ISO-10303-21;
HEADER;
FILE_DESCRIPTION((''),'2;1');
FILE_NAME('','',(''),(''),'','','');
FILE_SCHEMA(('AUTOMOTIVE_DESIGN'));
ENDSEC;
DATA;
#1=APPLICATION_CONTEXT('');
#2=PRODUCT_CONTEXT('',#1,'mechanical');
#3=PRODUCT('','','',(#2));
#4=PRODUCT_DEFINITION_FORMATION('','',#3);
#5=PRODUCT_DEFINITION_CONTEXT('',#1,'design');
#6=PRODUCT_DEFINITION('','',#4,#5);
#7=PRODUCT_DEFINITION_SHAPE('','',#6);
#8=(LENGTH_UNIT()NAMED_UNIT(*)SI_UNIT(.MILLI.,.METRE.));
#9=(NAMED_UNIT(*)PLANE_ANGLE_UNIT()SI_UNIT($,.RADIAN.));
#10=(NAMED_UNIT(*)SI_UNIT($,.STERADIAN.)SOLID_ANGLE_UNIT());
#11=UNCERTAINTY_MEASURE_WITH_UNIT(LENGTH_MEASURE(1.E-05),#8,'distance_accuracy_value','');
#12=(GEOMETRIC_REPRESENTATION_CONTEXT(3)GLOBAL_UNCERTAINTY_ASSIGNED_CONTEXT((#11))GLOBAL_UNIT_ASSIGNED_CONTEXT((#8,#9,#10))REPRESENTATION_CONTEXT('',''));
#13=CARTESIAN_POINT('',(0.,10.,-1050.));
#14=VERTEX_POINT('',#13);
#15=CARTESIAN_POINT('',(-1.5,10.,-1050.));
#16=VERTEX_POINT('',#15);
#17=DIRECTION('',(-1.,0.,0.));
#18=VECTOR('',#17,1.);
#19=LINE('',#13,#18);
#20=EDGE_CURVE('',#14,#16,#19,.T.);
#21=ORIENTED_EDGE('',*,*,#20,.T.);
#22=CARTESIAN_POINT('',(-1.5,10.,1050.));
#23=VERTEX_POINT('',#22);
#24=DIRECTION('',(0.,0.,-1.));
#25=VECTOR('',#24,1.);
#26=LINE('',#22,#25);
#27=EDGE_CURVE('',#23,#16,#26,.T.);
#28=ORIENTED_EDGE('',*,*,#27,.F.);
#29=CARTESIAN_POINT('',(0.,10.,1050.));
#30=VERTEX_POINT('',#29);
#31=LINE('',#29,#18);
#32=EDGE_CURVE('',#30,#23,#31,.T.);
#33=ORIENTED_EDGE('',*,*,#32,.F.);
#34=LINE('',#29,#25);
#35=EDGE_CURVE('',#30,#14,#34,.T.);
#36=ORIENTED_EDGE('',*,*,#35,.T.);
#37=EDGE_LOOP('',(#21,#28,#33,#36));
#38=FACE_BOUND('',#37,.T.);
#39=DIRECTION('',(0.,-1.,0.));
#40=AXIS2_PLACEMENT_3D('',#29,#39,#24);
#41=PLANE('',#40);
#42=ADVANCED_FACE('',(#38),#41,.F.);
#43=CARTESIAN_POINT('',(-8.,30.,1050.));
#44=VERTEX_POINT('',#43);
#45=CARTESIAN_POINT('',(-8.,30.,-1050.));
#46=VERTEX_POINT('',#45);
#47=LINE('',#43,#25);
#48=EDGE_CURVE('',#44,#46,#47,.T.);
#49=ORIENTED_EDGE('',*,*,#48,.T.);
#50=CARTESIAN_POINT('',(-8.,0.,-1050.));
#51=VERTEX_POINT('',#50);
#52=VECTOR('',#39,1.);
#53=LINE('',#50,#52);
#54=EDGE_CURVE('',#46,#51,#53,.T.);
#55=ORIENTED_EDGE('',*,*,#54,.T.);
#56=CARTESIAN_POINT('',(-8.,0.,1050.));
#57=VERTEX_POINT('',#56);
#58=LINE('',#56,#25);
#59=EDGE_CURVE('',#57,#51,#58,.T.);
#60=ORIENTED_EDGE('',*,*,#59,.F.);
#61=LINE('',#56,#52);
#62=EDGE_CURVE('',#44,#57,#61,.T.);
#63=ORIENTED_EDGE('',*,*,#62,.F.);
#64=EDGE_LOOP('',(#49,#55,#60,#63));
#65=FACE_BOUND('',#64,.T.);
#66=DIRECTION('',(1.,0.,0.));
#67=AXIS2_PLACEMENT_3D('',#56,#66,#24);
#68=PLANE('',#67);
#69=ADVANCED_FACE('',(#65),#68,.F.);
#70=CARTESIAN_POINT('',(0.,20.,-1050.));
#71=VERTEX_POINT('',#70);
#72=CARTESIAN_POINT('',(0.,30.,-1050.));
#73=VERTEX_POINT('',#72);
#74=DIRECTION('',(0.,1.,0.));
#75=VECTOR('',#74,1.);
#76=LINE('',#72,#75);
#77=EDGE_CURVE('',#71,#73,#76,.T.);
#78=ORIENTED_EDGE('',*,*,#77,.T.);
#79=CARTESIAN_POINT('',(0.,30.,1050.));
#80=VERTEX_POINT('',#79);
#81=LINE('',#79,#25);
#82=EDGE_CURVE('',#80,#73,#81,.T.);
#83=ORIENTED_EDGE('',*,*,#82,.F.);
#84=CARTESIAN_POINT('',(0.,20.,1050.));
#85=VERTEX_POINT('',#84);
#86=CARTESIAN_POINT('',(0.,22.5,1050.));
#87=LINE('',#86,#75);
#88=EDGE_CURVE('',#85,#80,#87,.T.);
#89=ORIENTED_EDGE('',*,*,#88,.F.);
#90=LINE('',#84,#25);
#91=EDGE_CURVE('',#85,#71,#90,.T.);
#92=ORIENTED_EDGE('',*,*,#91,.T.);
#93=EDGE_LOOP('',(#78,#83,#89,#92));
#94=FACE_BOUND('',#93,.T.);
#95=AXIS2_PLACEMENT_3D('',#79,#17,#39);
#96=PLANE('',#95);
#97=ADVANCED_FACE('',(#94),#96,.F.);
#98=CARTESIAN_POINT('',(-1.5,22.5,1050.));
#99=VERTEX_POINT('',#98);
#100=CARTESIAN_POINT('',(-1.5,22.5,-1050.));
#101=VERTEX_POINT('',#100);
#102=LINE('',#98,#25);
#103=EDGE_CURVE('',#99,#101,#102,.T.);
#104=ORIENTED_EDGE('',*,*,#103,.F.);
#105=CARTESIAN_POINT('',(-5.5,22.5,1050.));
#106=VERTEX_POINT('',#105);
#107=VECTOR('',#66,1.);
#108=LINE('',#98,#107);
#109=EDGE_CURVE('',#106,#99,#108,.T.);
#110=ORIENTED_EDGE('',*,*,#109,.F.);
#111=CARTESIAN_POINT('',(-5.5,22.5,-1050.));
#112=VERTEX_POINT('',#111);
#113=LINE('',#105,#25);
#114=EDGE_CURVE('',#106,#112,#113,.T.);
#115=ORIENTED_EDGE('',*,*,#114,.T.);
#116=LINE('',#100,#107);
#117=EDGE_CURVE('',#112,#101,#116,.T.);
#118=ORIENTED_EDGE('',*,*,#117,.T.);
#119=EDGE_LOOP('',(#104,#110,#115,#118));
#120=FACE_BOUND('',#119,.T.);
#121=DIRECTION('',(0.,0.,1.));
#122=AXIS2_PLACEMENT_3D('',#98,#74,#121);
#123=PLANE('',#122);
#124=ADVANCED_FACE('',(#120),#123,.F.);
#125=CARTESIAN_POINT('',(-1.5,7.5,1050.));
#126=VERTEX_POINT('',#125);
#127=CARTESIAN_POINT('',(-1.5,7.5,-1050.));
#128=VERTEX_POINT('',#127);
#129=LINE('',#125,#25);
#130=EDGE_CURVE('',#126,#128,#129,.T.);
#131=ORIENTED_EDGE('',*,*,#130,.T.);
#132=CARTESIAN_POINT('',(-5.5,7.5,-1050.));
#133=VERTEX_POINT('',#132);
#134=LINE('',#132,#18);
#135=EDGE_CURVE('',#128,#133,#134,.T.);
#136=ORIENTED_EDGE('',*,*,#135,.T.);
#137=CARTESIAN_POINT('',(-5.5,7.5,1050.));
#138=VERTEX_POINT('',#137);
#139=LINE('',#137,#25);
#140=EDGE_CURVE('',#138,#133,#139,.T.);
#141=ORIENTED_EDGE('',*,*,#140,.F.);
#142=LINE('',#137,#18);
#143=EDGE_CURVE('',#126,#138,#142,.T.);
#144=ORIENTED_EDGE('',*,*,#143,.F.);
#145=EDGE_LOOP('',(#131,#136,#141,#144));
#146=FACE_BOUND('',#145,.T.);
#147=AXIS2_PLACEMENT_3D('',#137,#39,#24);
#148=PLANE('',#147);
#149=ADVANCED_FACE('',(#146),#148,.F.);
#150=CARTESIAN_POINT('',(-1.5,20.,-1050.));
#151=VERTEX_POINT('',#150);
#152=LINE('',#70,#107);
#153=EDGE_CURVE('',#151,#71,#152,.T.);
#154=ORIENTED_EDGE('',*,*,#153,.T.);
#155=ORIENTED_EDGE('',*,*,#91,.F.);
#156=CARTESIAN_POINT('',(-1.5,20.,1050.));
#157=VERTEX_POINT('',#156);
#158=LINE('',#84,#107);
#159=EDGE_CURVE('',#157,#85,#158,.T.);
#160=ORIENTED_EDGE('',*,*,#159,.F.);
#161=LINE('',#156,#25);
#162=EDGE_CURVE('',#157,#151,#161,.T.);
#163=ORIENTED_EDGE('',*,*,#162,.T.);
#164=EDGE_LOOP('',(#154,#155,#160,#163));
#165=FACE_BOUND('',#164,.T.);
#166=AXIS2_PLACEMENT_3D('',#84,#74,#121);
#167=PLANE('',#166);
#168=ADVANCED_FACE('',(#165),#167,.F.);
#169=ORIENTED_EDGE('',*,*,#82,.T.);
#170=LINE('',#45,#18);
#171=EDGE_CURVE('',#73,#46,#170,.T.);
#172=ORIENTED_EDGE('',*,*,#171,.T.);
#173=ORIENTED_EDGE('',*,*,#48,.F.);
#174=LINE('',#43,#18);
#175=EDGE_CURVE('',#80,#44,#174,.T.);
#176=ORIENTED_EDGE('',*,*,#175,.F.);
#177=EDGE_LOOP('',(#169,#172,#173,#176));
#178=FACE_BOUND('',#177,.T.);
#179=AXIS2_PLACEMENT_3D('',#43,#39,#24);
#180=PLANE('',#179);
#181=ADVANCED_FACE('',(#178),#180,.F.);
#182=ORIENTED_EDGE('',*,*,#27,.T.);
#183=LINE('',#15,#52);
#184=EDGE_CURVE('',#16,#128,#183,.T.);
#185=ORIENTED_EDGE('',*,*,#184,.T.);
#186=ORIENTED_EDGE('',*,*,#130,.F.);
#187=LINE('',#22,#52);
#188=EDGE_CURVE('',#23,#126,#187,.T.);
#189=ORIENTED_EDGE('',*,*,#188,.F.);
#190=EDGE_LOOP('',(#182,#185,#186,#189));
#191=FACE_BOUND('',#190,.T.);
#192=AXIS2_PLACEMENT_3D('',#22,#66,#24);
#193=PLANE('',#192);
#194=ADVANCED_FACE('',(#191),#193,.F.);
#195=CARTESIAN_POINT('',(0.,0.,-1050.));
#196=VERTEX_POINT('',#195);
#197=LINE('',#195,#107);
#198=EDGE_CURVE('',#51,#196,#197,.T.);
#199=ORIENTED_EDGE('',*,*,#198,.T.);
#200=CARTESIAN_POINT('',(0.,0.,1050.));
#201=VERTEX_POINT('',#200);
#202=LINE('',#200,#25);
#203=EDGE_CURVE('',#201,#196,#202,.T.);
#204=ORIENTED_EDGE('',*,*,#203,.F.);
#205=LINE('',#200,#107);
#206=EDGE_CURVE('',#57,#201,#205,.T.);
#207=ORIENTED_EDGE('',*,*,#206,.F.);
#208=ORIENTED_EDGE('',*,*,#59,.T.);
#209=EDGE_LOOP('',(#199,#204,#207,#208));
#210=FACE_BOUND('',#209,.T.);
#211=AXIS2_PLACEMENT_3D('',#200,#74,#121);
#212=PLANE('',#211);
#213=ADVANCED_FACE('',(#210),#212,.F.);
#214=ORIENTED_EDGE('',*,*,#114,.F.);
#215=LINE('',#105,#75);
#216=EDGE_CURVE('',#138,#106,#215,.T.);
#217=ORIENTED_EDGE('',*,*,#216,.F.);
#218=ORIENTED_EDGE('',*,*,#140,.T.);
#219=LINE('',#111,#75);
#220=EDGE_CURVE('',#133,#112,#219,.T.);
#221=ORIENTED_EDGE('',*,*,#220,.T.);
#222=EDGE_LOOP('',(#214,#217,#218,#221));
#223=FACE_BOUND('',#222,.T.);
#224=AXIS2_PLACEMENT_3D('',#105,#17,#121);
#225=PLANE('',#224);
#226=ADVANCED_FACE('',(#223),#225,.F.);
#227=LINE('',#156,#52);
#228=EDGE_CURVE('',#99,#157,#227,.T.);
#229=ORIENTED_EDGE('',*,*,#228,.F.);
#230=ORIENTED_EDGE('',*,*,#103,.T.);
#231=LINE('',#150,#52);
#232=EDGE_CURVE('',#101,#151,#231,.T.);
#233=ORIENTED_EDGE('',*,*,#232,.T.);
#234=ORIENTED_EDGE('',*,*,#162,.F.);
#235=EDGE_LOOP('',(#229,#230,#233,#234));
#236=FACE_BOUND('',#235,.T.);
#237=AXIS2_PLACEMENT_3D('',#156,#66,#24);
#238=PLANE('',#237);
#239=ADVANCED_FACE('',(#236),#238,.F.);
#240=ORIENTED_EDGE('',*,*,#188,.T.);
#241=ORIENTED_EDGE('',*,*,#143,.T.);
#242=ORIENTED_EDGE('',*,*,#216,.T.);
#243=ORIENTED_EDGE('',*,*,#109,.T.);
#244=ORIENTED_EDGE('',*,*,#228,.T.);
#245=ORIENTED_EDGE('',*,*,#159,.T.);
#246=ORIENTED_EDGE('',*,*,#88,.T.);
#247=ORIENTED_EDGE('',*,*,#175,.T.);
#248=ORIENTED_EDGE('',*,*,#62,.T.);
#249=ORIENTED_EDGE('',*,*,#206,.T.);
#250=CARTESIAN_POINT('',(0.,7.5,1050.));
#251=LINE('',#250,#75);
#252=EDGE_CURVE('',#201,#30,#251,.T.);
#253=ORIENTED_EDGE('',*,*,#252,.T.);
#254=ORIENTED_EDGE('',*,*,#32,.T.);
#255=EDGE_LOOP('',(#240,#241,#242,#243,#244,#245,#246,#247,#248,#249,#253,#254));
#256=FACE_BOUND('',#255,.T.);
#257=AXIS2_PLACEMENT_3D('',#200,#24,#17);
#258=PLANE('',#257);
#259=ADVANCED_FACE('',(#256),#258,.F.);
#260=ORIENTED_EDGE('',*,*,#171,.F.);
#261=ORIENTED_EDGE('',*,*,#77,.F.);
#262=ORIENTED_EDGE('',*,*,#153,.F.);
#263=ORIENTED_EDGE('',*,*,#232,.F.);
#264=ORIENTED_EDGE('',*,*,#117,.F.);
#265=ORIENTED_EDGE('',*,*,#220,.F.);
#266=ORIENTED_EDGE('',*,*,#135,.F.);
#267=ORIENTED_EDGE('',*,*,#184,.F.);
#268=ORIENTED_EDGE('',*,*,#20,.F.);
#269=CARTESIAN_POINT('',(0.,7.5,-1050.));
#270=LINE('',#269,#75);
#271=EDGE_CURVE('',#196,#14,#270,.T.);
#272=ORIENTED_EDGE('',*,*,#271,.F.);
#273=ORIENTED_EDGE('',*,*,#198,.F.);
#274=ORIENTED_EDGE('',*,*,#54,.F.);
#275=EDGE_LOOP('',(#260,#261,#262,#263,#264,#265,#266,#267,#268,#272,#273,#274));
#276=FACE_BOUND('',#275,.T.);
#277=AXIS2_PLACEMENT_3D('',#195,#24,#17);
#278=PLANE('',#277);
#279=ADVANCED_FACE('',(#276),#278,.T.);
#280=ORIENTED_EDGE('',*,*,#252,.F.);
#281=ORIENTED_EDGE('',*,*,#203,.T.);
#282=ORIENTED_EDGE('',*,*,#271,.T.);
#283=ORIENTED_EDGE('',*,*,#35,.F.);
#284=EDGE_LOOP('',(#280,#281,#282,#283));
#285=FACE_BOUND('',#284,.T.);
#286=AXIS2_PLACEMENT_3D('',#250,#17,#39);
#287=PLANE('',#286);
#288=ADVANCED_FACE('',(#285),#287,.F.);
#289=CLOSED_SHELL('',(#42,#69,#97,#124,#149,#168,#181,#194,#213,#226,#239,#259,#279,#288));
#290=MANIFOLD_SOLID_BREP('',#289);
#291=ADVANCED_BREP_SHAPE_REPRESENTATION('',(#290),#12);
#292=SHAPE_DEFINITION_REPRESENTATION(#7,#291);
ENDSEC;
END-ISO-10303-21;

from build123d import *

# Parameters (mm, degrees)
BOSS_EXTRUDE1_DEPTH = 1050


with BuildPart() as part:
    # Sketch1 → Boss-Extrude1 (new, symmetric)
    with BuildSketch(Plane.XY):
        Polygon((0, 0), (-8, 0), (-8, 30), (0, 30), (0, 22.5), (0, 20), (-1.5, 20), (-1.5, 22.5), (-5.5, 22.5), (-5.5, 7.5), (-1.5, 7.5), (-1.5, 10), (0, 10), (0, 7.5), align=None)
    extrude(amount=BOSS_EXTRUDE1_DEPTH, both=True)


solid = part.part
